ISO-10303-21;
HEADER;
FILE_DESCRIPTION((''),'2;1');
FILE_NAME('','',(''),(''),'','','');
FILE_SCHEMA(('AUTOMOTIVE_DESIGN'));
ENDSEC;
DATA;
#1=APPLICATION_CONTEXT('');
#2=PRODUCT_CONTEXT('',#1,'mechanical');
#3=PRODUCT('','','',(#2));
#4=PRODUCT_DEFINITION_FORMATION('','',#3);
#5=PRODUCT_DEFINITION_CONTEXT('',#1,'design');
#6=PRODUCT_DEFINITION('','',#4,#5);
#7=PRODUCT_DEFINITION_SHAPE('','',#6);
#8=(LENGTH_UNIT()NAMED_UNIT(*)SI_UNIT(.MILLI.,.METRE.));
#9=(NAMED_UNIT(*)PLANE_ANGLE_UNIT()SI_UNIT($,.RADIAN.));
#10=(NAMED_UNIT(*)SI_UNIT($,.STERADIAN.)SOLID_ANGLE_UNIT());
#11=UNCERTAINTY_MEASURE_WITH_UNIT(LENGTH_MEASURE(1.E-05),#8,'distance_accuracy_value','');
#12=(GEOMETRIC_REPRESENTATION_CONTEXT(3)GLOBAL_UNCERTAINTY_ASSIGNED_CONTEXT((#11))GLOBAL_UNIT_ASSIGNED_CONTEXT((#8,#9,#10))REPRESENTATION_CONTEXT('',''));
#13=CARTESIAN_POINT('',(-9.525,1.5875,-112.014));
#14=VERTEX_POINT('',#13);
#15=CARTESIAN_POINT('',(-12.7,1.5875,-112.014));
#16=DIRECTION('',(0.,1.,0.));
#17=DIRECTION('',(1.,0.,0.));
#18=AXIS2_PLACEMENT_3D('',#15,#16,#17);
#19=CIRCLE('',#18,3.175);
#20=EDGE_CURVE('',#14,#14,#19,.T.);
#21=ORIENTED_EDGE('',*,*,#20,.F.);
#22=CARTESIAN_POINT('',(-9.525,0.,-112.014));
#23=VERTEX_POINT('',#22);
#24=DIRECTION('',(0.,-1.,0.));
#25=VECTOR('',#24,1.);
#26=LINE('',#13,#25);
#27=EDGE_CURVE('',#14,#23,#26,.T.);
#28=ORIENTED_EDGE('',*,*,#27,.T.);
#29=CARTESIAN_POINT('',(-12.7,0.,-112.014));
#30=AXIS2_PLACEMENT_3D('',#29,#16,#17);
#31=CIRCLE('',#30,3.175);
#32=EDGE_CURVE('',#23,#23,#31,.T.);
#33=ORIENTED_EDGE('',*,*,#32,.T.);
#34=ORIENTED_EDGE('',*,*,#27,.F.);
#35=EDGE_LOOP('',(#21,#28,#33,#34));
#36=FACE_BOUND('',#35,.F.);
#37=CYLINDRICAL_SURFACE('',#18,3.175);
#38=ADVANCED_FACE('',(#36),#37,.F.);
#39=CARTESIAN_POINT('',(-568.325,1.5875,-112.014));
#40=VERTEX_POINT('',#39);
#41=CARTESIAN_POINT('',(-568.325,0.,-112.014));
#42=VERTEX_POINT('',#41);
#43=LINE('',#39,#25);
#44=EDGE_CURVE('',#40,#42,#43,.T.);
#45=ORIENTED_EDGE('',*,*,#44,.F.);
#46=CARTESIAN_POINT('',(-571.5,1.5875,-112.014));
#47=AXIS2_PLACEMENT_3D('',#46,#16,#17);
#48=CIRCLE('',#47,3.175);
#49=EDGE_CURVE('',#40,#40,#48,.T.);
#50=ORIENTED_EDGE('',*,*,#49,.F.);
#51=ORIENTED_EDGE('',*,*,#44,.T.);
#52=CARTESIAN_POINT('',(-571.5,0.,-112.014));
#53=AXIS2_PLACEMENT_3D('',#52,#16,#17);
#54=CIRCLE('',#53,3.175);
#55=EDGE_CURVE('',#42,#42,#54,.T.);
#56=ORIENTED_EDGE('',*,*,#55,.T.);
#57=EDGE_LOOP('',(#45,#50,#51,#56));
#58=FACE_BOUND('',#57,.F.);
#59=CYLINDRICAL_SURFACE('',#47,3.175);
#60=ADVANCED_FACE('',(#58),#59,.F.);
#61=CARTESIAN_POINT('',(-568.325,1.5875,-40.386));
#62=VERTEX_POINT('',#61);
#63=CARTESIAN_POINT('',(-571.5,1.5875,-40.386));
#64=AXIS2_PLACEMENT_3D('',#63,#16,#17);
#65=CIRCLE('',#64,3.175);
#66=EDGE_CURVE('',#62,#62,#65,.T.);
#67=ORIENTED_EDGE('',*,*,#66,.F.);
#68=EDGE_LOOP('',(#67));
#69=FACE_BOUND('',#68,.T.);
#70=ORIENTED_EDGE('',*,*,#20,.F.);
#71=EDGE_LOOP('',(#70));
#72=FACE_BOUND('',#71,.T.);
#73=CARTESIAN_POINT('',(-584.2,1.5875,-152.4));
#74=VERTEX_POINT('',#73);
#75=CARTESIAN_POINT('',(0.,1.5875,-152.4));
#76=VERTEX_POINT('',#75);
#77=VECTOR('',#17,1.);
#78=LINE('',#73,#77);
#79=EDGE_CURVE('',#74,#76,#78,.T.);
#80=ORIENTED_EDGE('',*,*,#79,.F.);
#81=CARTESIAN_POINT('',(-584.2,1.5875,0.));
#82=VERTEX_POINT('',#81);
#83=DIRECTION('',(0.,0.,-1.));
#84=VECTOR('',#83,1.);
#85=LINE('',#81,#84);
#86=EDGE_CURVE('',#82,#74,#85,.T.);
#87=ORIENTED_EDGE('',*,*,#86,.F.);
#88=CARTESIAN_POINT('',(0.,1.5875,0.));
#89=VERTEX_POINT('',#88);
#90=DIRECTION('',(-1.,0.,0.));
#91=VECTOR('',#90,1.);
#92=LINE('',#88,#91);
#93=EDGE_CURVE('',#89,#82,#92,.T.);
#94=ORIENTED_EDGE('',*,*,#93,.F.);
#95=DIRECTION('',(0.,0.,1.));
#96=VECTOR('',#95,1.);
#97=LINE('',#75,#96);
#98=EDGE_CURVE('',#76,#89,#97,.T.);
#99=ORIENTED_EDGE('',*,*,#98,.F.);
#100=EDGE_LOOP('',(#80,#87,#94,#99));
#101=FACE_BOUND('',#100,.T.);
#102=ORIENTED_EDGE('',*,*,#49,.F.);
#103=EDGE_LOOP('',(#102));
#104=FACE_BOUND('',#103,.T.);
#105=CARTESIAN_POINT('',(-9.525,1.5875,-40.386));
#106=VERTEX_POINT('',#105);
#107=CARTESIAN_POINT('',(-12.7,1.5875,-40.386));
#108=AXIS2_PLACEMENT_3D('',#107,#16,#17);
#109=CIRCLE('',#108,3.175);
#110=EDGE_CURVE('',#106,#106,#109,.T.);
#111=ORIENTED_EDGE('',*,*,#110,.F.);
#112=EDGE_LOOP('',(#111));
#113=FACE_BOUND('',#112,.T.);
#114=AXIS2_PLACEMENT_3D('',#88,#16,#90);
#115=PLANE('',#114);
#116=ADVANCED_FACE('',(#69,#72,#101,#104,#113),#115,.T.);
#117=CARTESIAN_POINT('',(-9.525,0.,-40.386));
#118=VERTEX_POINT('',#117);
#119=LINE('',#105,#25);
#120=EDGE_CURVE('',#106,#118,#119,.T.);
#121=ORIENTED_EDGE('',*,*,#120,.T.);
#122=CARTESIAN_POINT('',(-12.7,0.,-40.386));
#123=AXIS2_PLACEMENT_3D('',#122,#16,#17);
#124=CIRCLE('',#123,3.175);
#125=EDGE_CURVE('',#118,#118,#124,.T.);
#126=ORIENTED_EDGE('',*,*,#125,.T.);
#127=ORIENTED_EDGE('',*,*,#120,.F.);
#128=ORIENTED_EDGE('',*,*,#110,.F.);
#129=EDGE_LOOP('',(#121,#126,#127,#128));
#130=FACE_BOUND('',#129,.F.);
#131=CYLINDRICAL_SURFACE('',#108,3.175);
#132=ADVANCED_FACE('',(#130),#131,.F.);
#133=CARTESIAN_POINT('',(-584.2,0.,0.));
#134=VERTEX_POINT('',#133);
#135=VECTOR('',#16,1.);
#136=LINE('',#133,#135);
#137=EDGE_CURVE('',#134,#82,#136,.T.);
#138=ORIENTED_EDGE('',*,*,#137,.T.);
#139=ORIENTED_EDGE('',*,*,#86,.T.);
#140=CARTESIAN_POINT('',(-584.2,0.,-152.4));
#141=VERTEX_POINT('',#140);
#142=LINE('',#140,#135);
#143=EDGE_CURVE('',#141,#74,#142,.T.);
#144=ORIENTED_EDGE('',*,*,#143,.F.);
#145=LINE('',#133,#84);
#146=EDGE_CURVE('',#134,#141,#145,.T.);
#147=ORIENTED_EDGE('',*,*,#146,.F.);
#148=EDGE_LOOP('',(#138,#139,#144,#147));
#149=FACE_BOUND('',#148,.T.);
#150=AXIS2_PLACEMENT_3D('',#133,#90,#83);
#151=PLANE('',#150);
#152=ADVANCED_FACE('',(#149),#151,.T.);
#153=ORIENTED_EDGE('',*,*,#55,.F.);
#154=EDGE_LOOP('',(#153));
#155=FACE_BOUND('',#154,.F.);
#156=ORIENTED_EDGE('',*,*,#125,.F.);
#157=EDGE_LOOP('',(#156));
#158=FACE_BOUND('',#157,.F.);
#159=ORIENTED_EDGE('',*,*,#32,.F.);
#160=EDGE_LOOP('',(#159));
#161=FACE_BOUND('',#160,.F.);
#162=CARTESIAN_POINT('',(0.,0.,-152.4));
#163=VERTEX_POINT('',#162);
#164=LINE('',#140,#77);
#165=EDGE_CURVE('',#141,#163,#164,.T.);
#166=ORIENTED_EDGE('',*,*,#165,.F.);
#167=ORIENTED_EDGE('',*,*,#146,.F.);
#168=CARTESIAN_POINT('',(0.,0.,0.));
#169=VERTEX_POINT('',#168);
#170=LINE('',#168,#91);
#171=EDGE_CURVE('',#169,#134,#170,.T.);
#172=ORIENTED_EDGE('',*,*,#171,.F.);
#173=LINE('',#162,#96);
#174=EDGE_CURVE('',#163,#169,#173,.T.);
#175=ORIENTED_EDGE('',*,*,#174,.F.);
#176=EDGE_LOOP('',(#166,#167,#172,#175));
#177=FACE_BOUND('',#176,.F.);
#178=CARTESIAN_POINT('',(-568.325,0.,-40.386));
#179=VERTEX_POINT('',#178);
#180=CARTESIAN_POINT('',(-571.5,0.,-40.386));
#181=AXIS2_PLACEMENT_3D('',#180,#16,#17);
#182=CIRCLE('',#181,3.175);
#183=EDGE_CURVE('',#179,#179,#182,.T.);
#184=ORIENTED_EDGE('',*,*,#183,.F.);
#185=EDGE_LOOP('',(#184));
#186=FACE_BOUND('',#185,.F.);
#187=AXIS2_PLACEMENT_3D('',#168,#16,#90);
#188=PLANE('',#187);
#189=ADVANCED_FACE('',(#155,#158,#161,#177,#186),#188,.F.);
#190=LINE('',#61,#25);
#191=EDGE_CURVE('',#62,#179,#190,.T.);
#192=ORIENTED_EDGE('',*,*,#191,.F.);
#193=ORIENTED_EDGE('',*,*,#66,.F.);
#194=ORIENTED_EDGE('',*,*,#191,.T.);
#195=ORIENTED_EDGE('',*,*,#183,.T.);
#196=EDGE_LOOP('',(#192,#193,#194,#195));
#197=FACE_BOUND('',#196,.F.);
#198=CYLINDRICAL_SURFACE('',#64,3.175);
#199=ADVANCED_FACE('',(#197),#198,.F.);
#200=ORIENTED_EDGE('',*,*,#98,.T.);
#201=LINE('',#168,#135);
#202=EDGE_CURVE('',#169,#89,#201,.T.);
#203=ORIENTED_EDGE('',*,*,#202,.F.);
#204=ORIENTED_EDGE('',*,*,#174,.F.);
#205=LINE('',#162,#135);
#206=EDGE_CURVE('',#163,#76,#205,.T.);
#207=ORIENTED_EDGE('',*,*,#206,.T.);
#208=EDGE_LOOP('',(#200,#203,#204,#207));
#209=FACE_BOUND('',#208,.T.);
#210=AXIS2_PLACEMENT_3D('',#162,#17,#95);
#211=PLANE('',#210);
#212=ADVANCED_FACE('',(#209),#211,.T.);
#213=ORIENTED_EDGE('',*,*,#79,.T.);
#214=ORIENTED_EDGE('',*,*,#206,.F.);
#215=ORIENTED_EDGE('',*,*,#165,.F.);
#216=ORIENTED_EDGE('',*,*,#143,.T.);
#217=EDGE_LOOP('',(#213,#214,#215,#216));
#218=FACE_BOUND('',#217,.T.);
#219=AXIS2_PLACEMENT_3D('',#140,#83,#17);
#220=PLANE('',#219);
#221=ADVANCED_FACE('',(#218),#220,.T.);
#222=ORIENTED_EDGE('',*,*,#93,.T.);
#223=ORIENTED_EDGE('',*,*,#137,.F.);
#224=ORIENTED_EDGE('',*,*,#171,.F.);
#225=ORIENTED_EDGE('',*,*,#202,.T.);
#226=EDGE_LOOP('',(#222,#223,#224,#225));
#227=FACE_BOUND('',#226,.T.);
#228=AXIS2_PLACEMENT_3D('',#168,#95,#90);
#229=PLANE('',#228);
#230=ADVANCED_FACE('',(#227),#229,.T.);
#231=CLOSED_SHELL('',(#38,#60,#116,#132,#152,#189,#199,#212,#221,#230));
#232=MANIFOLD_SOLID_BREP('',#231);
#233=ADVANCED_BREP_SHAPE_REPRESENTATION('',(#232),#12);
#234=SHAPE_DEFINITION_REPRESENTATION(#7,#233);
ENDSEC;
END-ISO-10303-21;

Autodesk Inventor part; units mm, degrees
ref_plane "YZ Plane" through (0, 0, 0) normal (1, 0, 0) x (0, 1, 0)
ref_plane "XZ Plane" through (0, 0, 0) normal (0, 1, 0) x (-1, 0, 0)
ref_plane "XY Plane" through (0, 0, 0) normal (0, 0, 1) x (1, 0, 0)
sketch "Sketch1" plane through (0, 0, 0) normal (0, 1, 0) x (-1, 0, 0)
  line L0 (0, 0) -> (584.2, 0)
  line L1 (584.2, 0) -> (584.2, -152.4)
  line L2 (584.2, -152.4) -> (0, -152.4)
  line L3 (0, -152.4) -> (0, 0)
  dimension "d0" = 584.2
  dimension "d1" = 152.4
extrude "Extrusion1" add sketch "Sketch1" along normal blind 1.5875
sketch "Sketch2" plane through (0, 1.5875, 0) normal (0, 1, 0) x (1, 0, 0)
  line L0 (0, 0) -> (0, 152.4) projected
  line L1 (0, 76.2) -> (-12.7, 76.2)
  line L2 (-584.2, 0) -> (0, 0) projected
  line L3 (-292.1, 0) -> (-292.1, 40.386)
  circle A0 centre (-12.7, 40.386) radius 3.175
  circle A1 centre (-571.5, 40.386) radius 3.175
  circle A2 centre (-12.7, 112.014) radius 3.175
  circle A3 centre (-571.5, 112.014) radius 3.175
  point P0 (-292.1, 112.014)
  dimension "d4" = 12.7
  dimension "d5" = 40.386
  dimension "d6" = 6.35
extrude "Extrusion2" cut sketch "Sketch2" against normal up to surface (1.5875 mm away)
properties part number "cannonplate"
